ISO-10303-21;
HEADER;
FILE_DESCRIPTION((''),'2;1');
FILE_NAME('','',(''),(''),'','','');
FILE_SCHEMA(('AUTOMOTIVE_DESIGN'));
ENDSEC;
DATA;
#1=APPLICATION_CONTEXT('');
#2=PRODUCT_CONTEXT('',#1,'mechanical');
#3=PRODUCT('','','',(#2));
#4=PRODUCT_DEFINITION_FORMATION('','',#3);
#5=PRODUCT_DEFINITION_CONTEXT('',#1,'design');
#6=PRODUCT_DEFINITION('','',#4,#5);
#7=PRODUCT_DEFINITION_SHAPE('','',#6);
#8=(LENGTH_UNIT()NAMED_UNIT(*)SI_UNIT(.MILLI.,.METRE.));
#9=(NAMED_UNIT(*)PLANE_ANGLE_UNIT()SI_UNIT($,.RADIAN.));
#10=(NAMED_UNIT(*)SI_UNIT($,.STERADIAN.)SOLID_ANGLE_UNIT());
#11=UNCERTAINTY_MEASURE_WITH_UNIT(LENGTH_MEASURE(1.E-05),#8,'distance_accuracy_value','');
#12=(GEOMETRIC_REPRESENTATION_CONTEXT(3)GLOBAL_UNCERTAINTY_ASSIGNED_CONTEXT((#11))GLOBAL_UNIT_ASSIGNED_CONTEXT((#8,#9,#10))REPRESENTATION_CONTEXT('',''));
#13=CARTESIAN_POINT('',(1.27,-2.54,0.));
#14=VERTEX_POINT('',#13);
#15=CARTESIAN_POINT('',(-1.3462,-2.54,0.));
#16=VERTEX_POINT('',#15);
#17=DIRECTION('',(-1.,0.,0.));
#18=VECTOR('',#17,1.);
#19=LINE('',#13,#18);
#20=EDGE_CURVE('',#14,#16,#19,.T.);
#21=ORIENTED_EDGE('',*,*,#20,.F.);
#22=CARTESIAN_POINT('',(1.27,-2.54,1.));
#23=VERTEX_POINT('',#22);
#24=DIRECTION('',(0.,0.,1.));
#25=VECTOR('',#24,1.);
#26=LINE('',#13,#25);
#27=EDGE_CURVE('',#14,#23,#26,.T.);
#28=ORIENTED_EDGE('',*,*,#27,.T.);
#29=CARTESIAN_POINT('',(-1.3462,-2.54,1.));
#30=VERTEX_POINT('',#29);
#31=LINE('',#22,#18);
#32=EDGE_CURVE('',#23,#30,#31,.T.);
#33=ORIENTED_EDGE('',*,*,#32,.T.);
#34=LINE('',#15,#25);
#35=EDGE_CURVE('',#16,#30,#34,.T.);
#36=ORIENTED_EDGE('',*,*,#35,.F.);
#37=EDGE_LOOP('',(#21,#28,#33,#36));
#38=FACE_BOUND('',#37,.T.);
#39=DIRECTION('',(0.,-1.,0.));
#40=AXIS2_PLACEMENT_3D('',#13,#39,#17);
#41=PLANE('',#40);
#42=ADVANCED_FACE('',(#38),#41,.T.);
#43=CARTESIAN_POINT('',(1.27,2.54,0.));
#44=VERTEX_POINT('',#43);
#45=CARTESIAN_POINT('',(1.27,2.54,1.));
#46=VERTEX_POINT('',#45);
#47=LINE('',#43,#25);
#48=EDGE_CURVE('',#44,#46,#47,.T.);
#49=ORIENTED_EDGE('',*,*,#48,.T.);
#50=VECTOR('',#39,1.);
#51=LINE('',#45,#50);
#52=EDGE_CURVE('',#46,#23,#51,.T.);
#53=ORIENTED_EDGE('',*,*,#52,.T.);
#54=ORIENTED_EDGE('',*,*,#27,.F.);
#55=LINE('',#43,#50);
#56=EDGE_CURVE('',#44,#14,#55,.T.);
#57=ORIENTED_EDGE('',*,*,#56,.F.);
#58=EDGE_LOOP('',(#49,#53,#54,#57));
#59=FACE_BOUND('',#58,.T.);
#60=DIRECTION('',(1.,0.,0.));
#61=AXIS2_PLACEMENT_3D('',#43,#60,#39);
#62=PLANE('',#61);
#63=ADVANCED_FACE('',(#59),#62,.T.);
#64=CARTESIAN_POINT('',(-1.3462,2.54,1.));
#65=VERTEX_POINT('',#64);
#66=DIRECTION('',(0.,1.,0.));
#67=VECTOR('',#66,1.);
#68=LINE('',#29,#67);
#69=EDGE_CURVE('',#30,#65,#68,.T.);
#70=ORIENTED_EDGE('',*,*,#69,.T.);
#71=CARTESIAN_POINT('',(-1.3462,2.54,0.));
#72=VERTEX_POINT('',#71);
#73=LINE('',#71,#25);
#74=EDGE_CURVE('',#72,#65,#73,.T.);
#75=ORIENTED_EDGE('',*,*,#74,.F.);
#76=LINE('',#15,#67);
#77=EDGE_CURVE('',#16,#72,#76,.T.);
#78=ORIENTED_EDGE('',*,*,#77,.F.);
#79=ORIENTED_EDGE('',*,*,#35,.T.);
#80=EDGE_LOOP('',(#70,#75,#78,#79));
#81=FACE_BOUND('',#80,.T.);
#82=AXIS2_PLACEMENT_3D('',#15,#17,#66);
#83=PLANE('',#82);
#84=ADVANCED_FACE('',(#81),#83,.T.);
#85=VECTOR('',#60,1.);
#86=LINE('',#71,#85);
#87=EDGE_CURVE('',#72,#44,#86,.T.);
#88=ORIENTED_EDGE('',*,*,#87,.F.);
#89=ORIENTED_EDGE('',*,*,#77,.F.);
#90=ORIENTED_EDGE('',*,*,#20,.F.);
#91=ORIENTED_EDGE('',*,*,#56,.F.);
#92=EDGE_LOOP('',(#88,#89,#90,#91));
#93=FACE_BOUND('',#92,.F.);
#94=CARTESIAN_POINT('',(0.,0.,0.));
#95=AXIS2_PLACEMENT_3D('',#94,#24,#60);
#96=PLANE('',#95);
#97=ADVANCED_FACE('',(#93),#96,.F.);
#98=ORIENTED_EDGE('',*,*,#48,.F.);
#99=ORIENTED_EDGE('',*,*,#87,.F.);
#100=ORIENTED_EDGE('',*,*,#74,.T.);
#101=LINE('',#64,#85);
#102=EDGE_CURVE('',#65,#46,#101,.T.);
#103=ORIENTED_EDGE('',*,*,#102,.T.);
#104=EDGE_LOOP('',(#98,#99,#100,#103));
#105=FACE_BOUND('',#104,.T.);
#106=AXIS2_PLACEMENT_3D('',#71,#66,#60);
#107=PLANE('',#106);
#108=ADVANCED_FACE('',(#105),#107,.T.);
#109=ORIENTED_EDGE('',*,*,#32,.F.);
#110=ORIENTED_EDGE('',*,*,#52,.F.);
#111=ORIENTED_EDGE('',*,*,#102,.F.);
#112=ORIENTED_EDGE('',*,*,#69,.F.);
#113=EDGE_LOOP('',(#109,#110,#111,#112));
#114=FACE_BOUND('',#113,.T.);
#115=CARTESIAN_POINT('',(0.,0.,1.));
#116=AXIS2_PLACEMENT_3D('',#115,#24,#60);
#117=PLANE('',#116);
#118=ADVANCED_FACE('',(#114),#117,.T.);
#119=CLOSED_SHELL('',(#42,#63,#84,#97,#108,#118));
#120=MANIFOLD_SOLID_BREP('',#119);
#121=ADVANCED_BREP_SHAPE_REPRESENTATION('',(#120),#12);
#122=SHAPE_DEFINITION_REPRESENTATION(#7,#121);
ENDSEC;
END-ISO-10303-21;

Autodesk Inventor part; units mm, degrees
ref_plane "YZ Plane" through (0, 0, 0) normal (1, 0, 0) x (0, 1, 0)
ref_plane "XZ Plane" through (0, 0, 0) normal (0, 1, 0) x (-1, 0, 0)
ref_plane "XY Plane" through (0, 0, 0) normal (0, 0, 1) x (1, 0, 0)
sketch "JP1M, TXD_71" plane through (0, 0, 0) normal (0, 0, 1) x (1, 0, 0)
  line L0 (-1.3462, 2.54) -> (1.27, 2.54)
  line L1 (1.27, 2.54) -> (1.27, -2.54)
  line L2 (1.27, -2.54) -> (-1.3462, -2.54)
  line L3 (-1.3462, -2.54) -> (-1.3462, 2.54)
extrude "Extrusion1" add sketch "JP1M, TXD_71" along normal blind 1
properties part number "TXD"
